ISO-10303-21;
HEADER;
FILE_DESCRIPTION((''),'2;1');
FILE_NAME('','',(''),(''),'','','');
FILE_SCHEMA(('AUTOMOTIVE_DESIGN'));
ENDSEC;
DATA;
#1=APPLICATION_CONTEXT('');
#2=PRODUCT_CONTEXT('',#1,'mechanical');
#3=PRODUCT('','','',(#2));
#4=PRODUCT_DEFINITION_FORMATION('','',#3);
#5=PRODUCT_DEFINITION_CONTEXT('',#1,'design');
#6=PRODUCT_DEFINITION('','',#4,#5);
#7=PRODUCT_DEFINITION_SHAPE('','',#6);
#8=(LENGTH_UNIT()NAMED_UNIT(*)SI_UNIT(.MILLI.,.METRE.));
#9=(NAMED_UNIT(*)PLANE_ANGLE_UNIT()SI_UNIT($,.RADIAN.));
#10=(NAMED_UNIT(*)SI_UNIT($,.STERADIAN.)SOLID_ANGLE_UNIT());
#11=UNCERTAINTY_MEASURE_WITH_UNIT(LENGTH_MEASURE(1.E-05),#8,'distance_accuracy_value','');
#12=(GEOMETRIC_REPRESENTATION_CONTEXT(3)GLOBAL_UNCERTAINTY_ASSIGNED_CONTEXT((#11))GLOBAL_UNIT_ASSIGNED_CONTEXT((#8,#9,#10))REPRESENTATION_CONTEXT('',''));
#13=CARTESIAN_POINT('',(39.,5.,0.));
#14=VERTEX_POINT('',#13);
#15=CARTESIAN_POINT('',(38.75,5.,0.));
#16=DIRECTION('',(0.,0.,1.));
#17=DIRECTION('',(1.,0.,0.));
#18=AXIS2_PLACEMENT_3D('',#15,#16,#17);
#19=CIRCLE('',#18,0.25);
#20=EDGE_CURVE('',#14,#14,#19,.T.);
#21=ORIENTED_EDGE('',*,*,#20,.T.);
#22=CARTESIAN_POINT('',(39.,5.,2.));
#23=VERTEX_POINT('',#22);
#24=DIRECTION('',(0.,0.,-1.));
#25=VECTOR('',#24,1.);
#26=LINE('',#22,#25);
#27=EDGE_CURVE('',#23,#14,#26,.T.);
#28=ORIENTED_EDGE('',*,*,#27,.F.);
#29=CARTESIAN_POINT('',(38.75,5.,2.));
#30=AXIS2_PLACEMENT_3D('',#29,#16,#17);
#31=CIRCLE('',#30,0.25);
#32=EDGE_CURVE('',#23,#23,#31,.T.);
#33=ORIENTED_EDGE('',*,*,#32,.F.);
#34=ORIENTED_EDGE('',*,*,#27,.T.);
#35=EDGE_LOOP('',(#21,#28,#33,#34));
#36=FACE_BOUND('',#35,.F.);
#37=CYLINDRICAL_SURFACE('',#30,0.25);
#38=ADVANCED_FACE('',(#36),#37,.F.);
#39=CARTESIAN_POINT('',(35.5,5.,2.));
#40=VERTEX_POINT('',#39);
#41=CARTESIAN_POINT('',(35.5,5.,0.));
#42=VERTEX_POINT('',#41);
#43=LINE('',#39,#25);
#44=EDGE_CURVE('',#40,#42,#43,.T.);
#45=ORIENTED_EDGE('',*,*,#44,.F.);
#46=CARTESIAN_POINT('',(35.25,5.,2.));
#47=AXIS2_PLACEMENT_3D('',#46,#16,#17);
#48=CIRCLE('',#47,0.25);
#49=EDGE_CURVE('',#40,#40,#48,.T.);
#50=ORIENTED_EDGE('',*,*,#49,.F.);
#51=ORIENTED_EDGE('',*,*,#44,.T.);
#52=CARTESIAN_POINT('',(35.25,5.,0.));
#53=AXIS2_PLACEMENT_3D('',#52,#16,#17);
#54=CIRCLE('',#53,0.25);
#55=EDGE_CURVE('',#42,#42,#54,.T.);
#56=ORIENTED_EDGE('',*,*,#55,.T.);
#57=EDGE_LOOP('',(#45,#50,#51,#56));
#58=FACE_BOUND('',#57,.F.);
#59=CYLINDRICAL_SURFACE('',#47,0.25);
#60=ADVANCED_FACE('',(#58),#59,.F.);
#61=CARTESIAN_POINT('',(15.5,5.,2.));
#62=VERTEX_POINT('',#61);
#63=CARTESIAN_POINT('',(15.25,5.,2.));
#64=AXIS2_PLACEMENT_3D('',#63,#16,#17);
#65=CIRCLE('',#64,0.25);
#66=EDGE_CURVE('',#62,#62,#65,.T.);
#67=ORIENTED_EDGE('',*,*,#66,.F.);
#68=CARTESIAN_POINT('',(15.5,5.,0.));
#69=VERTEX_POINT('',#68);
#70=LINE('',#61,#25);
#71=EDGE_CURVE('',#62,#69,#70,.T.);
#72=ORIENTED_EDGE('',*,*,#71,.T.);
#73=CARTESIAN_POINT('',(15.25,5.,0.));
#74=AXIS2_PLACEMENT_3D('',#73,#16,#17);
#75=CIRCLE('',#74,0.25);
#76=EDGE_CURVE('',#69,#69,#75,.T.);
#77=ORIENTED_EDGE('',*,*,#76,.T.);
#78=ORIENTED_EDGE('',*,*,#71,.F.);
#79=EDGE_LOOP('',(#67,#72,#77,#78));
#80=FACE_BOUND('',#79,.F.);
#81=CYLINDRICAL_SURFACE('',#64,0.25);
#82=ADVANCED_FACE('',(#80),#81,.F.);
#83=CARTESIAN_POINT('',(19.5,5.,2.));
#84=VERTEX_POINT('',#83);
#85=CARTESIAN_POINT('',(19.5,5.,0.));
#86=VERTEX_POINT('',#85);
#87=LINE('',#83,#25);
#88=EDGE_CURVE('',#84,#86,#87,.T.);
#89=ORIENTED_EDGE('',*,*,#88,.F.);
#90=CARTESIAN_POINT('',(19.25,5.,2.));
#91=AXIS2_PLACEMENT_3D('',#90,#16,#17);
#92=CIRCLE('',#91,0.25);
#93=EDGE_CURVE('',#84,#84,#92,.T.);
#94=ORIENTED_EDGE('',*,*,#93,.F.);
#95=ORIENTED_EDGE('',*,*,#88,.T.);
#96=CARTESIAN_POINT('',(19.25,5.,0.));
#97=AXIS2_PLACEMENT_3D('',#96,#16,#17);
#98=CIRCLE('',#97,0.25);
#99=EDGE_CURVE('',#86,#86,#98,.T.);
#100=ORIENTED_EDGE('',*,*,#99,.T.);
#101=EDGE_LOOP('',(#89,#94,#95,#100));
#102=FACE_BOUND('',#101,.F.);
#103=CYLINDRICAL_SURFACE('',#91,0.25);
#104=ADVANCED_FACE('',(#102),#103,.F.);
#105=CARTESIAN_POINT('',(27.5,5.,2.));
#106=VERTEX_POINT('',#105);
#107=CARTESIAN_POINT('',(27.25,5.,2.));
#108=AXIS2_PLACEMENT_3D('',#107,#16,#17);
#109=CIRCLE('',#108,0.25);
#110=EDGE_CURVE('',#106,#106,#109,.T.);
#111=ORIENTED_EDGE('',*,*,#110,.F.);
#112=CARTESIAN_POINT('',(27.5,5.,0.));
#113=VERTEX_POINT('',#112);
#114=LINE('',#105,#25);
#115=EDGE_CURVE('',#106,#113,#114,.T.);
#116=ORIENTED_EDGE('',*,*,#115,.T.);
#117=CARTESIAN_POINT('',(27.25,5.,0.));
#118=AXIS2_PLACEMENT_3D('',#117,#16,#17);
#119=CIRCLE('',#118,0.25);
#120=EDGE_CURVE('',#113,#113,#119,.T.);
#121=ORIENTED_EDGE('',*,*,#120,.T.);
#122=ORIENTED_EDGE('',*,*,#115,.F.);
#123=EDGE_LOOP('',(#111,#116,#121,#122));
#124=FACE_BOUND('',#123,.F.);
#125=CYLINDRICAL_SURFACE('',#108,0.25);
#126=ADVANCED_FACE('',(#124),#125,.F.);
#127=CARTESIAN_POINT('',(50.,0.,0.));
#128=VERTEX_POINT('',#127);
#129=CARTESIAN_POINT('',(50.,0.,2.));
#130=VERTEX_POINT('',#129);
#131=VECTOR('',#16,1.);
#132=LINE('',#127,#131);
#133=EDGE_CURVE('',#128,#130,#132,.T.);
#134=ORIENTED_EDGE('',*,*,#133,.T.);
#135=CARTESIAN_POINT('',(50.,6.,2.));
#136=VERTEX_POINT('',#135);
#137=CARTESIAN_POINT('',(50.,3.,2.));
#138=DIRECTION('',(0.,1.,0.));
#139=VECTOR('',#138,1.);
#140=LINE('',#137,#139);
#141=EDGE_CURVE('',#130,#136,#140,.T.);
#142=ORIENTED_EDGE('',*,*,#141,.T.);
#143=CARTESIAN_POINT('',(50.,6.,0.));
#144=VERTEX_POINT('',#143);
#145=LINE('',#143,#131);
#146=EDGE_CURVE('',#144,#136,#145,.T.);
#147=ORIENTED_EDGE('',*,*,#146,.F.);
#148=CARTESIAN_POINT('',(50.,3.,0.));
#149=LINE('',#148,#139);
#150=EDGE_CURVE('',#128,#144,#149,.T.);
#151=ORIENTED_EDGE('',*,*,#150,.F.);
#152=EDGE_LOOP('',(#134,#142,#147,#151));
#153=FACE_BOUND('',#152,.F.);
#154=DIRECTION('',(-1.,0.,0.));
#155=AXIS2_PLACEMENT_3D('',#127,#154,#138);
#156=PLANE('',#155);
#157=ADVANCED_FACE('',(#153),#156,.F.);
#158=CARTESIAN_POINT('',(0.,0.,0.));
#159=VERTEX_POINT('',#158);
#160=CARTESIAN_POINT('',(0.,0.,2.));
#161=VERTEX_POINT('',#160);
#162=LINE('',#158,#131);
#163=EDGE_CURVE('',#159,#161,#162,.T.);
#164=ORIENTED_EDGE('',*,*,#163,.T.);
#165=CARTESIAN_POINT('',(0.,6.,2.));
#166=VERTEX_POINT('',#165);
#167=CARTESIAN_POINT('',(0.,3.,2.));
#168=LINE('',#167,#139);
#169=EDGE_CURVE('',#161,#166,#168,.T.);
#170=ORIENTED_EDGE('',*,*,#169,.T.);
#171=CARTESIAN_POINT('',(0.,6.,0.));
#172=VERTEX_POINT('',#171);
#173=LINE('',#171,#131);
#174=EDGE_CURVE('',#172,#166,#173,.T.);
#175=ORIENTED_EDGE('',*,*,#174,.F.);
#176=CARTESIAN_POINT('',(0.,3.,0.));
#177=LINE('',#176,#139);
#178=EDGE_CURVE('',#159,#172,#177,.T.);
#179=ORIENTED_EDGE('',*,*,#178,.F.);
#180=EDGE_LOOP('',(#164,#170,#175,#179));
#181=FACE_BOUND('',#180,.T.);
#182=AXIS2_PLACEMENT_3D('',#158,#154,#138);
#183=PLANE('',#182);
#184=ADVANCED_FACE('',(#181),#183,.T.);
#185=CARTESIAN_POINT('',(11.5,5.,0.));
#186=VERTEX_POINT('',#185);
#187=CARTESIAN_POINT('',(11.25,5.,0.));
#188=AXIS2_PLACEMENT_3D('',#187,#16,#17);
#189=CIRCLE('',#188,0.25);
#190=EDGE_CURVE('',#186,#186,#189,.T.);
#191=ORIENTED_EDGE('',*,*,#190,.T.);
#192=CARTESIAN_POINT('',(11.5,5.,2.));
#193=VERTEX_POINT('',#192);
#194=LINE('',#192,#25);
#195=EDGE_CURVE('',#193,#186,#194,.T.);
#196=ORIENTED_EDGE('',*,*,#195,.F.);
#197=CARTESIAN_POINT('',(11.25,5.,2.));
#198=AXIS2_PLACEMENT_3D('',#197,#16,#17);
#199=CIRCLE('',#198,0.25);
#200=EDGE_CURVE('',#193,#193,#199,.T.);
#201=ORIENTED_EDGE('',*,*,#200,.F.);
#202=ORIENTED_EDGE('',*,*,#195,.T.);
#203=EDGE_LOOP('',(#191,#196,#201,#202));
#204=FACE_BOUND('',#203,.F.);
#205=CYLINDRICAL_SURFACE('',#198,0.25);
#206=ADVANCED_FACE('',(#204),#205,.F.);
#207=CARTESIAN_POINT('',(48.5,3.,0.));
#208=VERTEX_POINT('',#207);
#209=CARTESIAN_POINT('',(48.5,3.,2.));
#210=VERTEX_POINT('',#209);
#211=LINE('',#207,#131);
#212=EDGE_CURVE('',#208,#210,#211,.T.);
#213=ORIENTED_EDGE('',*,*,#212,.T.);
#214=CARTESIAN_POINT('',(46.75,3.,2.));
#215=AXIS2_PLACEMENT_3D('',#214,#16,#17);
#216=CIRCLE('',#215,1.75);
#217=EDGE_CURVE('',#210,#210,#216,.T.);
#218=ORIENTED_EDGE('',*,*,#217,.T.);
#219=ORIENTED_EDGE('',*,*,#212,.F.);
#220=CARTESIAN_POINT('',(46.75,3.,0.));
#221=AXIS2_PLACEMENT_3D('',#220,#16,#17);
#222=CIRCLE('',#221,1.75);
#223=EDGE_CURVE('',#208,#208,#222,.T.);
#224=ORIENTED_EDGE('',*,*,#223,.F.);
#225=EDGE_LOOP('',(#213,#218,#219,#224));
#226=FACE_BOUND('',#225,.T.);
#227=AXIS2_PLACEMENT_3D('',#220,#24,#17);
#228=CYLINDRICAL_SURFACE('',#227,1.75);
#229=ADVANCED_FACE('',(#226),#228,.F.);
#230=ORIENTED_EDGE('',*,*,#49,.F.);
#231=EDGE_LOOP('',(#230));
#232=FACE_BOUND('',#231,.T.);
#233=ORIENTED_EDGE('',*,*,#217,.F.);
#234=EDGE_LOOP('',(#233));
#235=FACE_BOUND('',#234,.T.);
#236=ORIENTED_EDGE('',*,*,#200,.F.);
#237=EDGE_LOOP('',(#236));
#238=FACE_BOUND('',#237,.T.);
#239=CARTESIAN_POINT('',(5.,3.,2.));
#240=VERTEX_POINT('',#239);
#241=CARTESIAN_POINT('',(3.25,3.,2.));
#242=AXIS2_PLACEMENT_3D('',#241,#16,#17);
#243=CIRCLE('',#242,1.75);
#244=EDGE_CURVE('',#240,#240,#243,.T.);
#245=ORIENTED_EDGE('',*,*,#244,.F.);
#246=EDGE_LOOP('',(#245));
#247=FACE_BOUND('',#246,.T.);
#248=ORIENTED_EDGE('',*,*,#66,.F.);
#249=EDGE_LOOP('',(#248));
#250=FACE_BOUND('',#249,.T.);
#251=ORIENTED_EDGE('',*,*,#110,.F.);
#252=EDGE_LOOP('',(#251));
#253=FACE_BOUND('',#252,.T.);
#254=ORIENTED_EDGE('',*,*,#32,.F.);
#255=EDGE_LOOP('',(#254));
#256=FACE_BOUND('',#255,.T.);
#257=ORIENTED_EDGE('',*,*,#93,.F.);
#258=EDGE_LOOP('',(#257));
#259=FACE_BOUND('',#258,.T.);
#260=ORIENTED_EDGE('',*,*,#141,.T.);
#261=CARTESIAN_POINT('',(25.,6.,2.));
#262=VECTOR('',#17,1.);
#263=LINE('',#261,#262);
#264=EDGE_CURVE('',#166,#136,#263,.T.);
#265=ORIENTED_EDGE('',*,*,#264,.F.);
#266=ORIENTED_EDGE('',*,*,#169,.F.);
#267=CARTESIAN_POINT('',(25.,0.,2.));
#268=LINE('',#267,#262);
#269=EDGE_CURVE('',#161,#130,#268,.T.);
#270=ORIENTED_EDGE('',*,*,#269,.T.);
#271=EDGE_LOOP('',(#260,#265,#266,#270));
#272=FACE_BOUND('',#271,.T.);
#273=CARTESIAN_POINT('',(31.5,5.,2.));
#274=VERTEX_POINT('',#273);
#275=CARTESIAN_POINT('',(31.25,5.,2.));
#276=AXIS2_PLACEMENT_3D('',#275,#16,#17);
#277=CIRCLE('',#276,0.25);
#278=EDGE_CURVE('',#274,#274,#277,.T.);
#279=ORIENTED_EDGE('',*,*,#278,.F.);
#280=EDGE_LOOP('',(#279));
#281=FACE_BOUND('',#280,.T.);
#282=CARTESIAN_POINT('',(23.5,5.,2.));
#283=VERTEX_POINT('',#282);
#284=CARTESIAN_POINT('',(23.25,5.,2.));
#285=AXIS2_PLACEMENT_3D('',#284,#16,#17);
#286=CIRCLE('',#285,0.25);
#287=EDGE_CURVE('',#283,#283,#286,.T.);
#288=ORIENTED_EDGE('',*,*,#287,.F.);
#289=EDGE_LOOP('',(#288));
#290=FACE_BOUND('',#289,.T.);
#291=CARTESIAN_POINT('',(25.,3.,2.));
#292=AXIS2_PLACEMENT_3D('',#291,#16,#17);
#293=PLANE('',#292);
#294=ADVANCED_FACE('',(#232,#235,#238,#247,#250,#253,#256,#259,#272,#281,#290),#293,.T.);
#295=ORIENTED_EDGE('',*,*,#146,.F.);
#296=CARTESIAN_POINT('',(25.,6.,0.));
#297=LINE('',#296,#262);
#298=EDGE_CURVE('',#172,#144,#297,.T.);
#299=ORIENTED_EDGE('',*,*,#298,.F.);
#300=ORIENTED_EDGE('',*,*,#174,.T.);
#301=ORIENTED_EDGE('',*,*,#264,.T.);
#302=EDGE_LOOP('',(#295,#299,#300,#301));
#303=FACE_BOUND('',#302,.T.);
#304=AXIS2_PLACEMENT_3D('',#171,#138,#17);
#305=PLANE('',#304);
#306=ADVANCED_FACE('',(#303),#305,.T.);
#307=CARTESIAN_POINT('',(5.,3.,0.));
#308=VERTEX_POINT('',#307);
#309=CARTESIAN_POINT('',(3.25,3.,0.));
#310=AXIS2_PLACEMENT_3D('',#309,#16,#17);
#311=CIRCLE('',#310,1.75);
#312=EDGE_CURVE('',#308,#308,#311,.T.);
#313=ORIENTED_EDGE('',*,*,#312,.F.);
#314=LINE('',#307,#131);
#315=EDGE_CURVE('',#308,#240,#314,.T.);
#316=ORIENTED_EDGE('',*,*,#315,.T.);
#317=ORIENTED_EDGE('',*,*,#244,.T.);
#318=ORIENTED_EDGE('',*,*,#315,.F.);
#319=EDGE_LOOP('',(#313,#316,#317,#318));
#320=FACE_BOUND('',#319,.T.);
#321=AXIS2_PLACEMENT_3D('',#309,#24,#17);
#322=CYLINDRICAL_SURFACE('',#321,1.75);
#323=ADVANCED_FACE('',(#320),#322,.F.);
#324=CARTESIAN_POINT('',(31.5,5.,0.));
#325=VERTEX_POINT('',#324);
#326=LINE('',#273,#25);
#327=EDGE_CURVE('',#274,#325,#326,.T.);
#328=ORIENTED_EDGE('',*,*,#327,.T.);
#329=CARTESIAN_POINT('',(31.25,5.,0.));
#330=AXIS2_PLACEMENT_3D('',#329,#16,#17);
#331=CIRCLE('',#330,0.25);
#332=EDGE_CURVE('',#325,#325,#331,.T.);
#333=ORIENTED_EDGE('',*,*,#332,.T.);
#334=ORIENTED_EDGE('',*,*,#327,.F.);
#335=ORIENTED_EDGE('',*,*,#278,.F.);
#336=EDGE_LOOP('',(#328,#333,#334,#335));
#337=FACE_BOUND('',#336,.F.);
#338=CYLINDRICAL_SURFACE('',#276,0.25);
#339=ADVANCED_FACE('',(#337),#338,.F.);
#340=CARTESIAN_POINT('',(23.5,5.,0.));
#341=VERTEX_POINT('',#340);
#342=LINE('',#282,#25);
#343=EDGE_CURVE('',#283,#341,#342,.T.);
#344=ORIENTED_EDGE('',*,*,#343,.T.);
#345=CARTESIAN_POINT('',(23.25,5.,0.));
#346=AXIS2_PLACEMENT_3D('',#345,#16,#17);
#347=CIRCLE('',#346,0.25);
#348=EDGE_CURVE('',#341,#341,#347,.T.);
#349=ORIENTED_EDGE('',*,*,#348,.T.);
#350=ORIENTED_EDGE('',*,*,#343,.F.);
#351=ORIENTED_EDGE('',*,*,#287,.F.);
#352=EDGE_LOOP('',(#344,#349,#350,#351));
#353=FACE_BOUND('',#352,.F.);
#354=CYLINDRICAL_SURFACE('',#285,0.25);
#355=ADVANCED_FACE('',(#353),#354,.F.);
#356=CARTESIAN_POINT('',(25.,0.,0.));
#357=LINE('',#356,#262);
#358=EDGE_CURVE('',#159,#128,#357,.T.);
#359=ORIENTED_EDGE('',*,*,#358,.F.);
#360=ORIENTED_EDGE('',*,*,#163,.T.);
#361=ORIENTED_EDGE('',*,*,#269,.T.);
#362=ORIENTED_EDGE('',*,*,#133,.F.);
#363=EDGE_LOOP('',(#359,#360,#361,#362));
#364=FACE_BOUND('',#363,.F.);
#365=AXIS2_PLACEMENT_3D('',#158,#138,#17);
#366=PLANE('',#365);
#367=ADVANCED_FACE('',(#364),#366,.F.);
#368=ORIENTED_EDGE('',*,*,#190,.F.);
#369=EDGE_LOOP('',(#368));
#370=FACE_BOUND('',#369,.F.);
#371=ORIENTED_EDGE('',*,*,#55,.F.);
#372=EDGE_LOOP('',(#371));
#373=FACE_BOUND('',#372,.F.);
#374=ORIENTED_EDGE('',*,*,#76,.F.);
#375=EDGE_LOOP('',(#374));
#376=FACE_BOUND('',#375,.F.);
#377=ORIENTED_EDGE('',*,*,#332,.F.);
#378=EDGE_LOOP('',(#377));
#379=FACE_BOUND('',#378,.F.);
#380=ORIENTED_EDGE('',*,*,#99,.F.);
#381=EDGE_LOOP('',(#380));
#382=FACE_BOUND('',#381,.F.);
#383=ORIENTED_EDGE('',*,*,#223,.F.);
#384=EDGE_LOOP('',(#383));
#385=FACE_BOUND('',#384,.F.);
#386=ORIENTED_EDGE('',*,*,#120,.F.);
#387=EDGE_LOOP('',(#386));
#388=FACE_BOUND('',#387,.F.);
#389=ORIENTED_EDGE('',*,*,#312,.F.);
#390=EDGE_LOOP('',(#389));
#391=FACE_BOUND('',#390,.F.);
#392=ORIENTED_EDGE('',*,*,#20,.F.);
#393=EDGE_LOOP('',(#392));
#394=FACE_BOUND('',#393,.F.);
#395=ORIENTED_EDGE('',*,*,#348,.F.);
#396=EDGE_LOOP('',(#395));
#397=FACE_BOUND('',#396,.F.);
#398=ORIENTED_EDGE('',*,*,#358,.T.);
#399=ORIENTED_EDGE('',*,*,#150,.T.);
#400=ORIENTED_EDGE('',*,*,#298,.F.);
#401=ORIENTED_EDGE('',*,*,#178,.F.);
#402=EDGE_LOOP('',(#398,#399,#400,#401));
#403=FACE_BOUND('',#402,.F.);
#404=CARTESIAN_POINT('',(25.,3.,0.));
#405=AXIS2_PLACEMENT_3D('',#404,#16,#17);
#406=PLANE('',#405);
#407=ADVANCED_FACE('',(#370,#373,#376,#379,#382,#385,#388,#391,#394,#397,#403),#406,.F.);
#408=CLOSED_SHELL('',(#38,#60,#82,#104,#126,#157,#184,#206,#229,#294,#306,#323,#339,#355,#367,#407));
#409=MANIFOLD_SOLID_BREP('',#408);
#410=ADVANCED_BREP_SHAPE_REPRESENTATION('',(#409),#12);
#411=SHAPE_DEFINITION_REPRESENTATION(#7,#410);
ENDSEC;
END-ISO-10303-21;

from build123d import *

# Parameters (mm, degrees)
F0_W     = 50
F0_H     = 6
F0_R     = 1.75
F1_DEPTH = 2
F2_R     = 0.25
F3_DEPTH = 2.001


with BuildPart() as f1:
    # F0 (on Top) → F1 (new body)
    with BuildSketch(Plane.XY):
        with Locations((25, 3)):
            Rectangle(F0_W, F0_H)
        with Locations((3.25, 3)):
            Circle(F0_R, mode=Mode.SUBTRACT)
        with Locations((46.75, 3)):
            Circle(F0_R, mode=Mode.SUBTRACT)
    extrude(amount=F1_DEPTH)

    # F2 (on face) → F3 (cut, through all)
    with BuildSketch(Plane.XY.offset(2)):
        with Locations((11.25, 5)):
            Circle(F2_R)
        with Locations((15.25, 5)):
            Circle(F2_R)
        with Locations((19.25, 5)):
            Circle(F2_R)
        with Locations((23.25, 5)):
            Circle(F2_R)
        with Locations((27.25, 5)):
            Circle(F2_R)
        with Locations((31.25, 5)):
            Circle(F2_R)
        with Locations((35.25, 5)):
            Circle(F2_R)
        with Locations((38.75, 5)):
            Circle(F2_R)
    extrude(amount=-F3_DEPTH, mode=Mode.SUBTRACT)


solid = f1.part
